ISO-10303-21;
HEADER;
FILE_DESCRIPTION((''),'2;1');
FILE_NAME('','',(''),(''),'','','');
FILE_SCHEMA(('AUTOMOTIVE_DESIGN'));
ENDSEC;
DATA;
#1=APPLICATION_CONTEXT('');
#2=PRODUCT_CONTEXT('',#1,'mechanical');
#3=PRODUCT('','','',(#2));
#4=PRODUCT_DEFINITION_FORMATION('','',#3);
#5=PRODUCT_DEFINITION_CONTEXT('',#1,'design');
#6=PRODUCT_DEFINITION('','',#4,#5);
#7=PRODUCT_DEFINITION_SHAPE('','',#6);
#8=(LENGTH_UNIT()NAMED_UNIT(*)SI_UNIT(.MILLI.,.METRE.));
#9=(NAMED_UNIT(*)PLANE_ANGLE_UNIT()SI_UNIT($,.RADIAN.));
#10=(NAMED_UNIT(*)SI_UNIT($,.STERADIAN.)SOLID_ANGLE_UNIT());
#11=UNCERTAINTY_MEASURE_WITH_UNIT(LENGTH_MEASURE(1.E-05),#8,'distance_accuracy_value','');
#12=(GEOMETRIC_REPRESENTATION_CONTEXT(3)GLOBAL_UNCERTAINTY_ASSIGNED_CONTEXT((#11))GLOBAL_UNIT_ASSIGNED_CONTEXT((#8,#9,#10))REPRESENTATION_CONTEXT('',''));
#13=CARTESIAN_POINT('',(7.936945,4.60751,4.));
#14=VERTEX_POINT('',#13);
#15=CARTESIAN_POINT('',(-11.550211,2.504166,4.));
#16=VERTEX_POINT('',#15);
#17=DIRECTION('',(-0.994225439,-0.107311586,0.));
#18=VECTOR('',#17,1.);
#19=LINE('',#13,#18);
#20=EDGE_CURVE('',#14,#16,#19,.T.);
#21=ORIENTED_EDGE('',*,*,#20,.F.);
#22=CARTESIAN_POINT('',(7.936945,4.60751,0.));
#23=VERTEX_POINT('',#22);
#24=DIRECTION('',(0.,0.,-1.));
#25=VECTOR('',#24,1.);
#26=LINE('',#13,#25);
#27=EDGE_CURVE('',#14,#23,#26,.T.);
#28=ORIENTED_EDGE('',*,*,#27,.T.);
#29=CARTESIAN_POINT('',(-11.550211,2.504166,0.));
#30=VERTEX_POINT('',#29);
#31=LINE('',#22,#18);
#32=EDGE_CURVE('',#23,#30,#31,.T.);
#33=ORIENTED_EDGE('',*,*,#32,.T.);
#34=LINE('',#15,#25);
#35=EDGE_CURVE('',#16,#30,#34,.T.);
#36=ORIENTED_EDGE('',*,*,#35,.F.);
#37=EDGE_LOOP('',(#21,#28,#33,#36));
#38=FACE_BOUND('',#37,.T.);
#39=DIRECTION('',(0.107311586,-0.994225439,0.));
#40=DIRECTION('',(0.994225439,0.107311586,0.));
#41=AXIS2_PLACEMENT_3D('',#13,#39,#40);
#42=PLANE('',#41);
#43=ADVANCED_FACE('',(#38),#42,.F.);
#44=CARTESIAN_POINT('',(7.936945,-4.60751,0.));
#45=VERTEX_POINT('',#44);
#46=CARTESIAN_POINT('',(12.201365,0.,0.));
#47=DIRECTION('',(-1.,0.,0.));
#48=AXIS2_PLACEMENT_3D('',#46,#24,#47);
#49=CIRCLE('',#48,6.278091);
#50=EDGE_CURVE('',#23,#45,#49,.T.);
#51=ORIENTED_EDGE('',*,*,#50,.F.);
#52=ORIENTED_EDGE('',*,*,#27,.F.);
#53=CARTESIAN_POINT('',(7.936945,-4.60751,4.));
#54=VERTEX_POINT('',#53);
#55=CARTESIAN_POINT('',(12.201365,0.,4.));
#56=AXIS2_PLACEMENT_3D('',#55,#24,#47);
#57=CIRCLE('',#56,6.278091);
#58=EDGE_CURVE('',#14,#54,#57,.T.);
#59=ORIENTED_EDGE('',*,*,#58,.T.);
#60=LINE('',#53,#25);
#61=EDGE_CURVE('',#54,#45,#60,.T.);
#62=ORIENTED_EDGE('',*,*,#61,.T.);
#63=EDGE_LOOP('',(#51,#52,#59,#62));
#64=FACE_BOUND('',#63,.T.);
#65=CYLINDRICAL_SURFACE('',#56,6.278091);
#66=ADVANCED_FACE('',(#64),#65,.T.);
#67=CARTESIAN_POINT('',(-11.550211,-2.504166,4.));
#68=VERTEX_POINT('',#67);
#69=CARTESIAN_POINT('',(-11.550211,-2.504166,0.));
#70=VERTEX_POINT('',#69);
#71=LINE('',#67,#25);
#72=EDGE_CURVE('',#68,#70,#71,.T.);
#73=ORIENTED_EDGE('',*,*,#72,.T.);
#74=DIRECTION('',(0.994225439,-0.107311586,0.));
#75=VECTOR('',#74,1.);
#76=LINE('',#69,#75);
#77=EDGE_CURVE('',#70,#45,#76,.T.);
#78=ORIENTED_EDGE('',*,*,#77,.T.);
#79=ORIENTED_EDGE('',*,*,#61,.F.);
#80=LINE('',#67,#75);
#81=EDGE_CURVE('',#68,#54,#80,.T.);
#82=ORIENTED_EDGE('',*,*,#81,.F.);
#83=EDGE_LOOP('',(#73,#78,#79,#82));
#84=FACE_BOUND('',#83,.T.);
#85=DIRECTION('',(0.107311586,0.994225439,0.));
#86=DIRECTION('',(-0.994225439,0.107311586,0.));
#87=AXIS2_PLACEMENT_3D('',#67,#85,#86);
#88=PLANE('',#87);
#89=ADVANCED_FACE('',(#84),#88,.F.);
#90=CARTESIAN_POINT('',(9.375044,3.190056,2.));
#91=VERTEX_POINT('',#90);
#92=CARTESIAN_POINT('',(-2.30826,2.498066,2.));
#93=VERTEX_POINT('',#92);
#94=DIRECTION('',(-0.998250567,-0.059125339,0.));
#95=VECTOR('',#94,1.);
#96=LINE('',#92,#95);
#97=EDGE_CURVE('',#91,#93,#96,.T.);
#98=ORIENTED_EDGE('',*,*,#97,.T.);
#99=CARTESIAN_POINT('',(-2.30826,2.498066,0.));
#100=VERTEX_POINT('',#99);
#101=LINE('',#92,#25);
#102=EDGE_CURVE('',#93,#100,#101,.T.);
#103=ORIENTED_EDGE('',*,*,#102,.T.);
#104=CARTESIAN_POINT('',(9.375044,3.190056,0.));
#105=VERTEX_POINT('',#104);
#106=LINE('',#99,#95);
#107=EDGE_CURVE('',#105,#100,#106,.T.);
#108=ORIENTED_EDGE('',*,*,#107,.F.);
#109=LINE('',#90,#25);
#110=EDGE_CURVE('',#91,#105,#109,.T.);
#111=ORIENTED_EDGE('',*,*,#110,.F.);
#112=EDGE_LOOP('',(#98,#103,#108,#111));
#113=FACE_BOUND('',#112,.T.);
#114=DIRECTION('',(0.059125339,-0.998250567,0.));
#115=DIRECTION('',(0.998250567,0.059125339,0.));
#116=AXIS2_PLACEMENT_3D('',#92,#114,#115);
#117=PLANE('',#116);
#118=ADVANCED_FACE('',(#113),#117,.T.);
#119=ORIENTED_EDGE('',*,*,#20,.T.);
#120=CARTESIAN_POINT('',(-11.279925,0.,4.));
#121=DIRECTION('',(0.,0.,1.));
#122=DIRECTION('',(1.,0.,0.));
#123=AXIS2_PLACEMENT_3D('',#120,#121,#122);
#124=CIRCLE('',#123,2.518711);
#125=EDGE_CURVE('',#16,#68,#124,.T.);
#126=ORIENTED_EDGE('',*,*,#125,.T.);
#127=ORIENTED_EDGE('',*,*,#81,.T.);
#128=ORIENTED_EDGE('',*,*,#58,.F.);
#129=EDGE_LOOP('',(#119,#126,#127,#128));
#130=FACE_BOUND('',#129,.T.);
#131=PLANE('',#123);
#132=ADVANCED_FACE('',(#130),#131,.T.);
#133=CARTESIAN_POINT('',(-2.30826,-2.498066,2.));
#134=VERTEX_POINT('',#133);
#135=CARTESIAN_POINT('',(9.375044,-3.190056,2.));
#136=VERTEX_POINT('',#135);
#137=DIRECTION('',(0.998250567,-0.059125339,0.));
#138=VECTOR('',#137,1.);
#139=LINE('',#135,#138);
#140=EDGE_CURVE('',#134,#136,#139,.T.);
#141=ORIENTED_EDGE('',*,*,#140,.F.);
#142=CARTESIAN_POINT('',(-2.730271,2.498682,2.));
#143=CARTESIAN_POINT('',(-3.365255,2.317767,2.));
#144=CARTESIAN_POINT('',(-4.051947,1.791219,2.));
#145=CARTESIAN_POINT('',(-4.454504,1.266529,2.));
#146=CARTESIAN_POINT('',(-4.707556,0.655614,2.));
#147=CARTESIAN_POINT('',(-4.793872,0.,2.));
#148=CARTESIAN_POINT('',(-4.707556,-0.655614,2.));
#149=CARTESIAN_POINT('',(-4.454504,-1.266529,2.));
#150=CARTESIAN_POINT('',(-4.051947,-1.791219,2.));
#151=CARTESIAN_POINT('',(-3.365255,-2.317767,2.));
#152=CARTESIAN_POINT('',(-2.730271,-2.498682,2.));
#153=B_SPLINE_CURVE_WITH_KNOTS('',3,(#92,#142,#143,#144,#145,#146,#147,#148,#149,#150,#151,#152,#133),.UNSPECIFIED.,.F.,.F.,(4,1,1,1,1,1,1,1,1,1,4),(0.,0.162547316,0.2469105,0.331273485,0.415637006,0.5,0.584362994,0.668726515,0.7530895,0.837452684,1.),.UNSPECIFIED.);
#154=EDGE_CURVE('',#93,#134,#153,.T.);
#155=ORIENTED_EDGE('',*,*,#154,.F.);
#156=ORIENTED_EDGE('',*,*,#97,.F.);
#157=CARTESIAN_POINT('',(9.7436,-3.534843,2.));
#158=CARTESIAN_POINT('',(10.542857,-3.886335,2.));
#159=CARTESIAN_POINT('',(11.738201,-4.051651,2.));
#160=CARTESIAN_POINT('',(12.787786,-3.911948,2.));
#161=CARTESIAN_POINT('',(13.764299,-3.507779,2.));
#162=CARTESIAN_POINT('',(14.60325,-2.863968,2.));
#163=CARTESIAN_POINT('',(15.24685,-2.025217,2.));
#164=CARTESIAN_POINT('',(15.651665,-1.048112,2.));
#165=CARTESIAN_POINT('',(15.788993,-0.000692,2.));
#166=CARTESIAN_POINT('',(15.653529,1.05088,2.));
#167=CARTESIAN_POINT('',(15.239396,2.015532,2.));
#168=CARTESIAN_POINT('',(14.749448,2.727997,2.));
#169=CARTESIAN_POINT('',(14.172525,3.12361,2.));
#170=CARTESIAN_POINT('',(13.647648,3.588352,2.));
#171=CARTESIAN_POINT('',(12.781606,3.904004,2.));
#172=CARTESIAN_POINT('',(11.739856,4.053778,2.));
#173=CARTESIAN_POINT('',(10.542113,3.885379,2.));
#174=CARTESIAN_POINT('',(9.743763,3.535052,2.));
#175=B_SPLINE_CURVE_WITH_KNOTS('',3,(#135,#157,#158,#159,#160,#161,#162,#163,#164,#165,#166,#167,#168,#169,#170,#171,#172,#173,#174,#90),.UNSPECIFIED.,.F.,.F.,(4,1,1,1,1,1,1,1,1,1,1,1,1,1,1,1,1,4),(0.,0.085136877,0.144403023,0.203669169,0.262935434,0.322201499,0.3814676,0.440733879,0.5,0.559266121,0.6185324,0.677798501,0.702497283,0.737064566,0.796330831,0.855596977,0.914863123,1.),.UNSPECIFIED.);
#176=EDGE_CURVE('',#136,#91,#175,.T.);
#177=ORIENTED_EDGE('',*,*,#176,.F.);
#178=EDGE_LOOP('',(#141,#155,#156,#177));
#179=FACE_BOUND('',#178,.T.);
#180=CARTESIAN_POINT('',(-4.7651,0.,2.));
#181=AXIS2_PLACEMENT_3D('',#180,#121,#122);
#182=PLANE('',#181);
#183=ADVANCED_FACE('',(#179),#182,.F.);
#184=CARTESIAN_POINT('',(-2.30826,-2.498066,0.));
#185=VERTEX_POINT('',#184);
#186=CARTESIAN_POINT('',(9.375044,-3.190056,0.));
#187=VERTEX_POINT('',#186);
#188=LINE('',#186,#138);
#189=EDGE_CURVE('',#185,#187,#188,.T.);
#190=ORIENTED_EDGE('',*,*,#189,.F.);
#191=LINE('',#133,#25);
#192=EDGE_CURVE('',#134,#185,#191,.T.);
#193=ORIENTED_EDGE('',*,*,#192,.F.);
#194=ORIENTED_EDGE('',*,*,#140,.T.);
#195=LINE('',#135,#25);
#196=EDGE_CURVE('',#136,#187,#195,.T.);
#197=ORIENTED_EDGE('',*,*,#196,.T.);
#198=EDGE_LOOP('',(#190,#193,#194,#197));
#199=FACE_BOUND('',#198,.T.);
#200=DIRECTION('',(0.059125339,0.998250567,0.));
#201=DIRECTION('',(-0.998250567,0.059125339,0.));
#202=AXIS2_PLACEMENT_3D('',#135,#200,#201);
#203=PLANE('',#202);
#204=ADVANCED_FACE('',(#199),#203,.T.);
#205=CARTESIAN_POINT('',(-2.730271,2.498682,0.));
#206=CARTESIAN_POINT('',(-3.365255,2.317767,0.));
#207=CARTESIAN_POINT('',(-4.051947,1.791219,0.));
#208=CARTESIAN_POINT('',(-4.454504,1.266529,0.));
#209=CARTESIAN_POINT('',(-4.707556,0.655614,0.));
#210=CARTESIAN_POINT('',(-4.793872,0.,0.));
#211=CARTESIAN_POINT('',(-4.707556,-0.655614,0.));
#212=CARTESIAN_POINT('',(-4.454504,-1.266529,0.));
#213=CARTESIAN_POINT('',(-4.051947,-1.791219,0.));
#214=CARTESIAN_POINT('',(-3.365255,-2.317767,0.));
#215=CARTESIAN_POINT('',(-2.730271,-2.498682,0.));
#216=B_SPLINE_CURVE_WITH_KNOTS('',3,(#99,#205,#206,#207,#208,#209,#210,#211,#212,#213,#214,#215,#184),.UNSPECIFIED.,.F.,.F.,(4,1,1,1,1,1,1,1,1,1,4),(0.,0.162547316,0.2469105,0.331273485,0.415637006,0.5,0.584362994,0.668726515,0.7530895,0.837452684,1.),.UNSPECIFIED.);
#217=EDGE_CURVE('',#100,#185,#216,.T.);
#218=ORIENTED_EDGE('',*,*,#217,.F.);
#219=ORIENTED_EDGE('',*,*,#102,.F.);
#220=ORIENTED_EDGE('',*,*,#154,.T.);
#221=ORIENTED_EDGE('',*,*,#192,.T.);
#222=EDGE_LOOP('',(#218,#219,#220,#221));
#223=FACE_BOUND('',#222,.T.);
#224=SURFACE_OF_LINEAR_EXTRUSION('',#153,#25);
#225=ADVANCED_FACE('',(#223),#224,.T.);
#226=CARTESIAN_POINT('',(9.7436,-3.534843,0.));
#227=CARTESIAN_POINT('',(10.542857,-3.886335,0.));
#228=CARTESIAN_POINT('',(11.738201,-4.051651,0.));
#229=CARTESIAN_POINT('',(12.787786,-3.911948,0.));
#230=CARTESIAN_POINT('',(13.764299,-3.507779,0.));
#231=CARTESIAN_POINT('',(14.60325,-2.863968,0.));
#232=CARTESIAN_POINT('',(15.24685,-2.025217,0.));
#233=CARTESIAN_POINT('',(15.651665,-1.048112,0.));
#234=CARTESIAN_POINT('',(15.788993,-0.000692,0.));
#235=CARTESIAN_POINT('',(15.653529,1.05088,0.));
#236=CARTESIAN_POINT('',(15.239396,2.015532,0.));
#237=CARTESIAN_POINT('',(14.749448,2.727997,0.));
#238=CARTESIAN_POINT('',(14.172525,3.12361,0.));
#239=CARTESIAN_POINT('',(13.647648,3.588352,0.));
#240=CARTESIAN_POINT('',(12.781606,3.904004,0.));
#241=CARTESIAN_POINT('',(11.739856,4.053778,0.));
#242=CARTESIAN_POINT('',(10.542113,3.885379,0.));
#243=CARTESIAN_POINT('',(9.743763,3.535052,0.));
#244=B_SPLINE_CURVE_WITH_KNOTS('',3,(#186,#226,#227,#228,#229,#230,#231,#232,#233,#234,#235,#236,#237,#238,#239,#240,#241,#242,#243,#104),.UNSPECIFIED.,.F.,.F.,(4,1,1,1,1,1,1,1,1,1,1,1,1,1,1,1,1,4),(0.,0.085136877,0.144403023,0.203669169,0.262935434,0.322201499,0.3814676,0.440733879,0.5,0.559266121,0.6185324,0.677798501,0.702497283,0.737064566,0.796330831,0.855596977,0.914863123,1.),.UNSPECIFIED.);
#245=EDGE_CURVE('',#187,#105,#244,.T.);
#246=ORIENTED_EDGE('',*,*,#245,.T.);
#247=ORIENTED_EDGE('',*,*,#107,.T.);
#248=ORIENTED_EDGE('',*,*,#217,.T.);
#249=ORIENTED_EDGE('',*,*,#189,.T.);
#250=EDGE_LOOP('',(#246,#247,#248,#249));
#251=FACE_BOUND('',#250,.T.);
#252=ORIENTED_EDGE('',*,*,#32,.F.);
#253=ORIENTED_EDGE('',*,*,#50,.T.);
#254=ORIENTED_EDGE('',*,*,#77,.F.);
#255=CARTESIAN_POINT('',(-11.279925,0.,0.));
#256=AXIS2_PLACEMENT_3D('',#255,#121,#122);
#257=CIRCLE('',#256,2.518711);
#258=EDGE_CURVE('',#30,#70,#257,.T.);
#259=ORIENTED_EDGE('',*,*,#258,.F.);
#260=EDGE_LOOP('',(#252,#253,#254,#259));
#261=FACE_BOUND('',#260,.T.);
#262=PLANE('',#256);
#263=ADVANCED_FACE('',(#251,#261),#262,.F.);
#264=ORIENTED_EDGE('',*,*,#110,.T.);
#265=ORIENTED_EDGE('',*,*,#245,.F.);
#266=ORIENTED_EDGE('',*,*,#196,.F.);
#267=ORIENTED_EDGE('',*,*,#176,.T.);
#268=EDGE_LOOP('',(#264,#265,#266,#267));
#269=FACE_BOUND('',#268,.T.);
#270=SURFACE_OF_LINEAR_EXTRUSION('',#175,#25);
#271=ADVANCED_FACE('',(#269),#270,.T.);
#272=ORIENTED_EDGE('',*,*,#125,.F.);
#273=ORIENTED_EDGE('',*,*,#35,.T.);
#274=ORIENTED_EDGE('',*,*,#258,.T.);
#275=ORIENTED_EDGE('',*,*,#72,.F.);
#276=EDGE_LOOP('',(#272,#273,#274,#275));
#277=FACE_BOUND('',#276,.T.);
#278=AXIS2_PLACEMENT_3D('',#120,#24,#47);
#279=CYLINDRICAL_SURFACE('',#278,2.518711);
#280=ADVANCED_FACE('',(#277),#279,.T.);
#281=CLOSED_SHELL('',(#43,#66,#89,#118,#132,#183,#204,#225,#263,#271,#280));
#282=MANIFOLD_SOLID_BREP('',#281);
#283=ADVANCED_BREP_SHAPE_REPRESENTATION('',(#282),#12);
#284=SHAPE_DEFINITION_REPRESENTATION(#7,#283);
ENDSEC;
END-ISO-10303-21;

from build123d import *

# Parameters (mm, degrees)
BOSS_EXTRUDE6_DEPTH = 4
CUT_EXTRUDE1_DEPTH  = 2


with BuildPart() as part:
    # Sketch2 → Boss-Extrude6 (new body)
    with BuildSketch(Plane.XY):
        with BuildLine():
            Line((7.936945185, 4.607509822), (-11.550211463, 2.50416625))
            ThreePointArc((-11.550211463, 2.50416625), (-13.798635322, 0), (-11.550211463, -2.50416625))
            Line((-11.550211463, -2.50416625), (7.936945185, -4.607509822))
            ThreePointArc((7.936945185, -4.607509822), (18.479455181, 0), (7.936945185, 4.607509822))
        make_face()
    extrude(amount=BOSS_EXTRUDE6_DEPTH)

    # Sketch1 → Cut-Extrude1 (cut)
    with BuildSketch(Plane.XY):
        with BuildLine():
            Line((-2.308259951, 2.498066053), (9.375044145, 3.190055955))
            add(Edge.make_bspline(
                [(9.375044145, 3.190055955), (9.743762717, 3.535051607), (10.542113364, 3.885379294), (11.739855888, 4.053778423), (12.781606273, 3.904003548), (13.647647588, 3.58835165), (14.172524986, 3.123610305), (14.749448402, 2.727996587), (15.239395752, 2.01553181), (15.653528757, 1.050879588), (15.788992815, -0.000691818), (15.651665108, -1.048112313), (15.246850359, -2.025217286), (14.603250264, -2.863967716), (13.764299096, -3.507779486), (12.787785525, -3.91194775), (11.73820132, -4.051651269), (10.542857019, -3.886335356), (9.743600409, -3.534842939), (9.375044145, -3.190055955)],
                knots=[0, 0, 0, 0, 0.085136877, 0.144403023, 0.203669169, 0.262935434, 0.297502717, 0.322201499, 0.3814676, 0.440733879, 0.5, 0.559266121, 0.6185324, 0.677798501, 0.737064566, 0.796330831, 0.855596977, 0.914863123, 1, 1, 1, 1], degree=3))
            Line((9.375044145, -3.190055955), (-2.308259951, -2.498066053))
            add(Edge.make_bspline(
                [(-2.308259951, -2.498066053), (-2.730270965, -2.498681523), (-3.365255191, -2.317767142), (-4.051947117, -1.791219452), (-4.45450445, -1.266528616), (-4.707556493, -0.655614107), (-4.793872131, 0), (-4.707556493, 0.655614107), (-4.45450445, 1.266528616), (-4.051947117, 1.791219452), (-3.365255191, 2.317767142), (-2.730270965, 2.498681523), (-2.308259951, 2.498066053)],
                knots=[0, 0, 0, 0, 0.162547316, 0.2469105, 0.331273485, 0.415637006, 0.5, 0.584362994, 0.668726515, 0.7530895, 0.837452684, 1, 1, 1, 1], degree=3))
        make_face()
    extrude(amount=CUT_EXTRUDE1_DEPTH, mode=Mode.SUBTRACT)


solid = part.part
